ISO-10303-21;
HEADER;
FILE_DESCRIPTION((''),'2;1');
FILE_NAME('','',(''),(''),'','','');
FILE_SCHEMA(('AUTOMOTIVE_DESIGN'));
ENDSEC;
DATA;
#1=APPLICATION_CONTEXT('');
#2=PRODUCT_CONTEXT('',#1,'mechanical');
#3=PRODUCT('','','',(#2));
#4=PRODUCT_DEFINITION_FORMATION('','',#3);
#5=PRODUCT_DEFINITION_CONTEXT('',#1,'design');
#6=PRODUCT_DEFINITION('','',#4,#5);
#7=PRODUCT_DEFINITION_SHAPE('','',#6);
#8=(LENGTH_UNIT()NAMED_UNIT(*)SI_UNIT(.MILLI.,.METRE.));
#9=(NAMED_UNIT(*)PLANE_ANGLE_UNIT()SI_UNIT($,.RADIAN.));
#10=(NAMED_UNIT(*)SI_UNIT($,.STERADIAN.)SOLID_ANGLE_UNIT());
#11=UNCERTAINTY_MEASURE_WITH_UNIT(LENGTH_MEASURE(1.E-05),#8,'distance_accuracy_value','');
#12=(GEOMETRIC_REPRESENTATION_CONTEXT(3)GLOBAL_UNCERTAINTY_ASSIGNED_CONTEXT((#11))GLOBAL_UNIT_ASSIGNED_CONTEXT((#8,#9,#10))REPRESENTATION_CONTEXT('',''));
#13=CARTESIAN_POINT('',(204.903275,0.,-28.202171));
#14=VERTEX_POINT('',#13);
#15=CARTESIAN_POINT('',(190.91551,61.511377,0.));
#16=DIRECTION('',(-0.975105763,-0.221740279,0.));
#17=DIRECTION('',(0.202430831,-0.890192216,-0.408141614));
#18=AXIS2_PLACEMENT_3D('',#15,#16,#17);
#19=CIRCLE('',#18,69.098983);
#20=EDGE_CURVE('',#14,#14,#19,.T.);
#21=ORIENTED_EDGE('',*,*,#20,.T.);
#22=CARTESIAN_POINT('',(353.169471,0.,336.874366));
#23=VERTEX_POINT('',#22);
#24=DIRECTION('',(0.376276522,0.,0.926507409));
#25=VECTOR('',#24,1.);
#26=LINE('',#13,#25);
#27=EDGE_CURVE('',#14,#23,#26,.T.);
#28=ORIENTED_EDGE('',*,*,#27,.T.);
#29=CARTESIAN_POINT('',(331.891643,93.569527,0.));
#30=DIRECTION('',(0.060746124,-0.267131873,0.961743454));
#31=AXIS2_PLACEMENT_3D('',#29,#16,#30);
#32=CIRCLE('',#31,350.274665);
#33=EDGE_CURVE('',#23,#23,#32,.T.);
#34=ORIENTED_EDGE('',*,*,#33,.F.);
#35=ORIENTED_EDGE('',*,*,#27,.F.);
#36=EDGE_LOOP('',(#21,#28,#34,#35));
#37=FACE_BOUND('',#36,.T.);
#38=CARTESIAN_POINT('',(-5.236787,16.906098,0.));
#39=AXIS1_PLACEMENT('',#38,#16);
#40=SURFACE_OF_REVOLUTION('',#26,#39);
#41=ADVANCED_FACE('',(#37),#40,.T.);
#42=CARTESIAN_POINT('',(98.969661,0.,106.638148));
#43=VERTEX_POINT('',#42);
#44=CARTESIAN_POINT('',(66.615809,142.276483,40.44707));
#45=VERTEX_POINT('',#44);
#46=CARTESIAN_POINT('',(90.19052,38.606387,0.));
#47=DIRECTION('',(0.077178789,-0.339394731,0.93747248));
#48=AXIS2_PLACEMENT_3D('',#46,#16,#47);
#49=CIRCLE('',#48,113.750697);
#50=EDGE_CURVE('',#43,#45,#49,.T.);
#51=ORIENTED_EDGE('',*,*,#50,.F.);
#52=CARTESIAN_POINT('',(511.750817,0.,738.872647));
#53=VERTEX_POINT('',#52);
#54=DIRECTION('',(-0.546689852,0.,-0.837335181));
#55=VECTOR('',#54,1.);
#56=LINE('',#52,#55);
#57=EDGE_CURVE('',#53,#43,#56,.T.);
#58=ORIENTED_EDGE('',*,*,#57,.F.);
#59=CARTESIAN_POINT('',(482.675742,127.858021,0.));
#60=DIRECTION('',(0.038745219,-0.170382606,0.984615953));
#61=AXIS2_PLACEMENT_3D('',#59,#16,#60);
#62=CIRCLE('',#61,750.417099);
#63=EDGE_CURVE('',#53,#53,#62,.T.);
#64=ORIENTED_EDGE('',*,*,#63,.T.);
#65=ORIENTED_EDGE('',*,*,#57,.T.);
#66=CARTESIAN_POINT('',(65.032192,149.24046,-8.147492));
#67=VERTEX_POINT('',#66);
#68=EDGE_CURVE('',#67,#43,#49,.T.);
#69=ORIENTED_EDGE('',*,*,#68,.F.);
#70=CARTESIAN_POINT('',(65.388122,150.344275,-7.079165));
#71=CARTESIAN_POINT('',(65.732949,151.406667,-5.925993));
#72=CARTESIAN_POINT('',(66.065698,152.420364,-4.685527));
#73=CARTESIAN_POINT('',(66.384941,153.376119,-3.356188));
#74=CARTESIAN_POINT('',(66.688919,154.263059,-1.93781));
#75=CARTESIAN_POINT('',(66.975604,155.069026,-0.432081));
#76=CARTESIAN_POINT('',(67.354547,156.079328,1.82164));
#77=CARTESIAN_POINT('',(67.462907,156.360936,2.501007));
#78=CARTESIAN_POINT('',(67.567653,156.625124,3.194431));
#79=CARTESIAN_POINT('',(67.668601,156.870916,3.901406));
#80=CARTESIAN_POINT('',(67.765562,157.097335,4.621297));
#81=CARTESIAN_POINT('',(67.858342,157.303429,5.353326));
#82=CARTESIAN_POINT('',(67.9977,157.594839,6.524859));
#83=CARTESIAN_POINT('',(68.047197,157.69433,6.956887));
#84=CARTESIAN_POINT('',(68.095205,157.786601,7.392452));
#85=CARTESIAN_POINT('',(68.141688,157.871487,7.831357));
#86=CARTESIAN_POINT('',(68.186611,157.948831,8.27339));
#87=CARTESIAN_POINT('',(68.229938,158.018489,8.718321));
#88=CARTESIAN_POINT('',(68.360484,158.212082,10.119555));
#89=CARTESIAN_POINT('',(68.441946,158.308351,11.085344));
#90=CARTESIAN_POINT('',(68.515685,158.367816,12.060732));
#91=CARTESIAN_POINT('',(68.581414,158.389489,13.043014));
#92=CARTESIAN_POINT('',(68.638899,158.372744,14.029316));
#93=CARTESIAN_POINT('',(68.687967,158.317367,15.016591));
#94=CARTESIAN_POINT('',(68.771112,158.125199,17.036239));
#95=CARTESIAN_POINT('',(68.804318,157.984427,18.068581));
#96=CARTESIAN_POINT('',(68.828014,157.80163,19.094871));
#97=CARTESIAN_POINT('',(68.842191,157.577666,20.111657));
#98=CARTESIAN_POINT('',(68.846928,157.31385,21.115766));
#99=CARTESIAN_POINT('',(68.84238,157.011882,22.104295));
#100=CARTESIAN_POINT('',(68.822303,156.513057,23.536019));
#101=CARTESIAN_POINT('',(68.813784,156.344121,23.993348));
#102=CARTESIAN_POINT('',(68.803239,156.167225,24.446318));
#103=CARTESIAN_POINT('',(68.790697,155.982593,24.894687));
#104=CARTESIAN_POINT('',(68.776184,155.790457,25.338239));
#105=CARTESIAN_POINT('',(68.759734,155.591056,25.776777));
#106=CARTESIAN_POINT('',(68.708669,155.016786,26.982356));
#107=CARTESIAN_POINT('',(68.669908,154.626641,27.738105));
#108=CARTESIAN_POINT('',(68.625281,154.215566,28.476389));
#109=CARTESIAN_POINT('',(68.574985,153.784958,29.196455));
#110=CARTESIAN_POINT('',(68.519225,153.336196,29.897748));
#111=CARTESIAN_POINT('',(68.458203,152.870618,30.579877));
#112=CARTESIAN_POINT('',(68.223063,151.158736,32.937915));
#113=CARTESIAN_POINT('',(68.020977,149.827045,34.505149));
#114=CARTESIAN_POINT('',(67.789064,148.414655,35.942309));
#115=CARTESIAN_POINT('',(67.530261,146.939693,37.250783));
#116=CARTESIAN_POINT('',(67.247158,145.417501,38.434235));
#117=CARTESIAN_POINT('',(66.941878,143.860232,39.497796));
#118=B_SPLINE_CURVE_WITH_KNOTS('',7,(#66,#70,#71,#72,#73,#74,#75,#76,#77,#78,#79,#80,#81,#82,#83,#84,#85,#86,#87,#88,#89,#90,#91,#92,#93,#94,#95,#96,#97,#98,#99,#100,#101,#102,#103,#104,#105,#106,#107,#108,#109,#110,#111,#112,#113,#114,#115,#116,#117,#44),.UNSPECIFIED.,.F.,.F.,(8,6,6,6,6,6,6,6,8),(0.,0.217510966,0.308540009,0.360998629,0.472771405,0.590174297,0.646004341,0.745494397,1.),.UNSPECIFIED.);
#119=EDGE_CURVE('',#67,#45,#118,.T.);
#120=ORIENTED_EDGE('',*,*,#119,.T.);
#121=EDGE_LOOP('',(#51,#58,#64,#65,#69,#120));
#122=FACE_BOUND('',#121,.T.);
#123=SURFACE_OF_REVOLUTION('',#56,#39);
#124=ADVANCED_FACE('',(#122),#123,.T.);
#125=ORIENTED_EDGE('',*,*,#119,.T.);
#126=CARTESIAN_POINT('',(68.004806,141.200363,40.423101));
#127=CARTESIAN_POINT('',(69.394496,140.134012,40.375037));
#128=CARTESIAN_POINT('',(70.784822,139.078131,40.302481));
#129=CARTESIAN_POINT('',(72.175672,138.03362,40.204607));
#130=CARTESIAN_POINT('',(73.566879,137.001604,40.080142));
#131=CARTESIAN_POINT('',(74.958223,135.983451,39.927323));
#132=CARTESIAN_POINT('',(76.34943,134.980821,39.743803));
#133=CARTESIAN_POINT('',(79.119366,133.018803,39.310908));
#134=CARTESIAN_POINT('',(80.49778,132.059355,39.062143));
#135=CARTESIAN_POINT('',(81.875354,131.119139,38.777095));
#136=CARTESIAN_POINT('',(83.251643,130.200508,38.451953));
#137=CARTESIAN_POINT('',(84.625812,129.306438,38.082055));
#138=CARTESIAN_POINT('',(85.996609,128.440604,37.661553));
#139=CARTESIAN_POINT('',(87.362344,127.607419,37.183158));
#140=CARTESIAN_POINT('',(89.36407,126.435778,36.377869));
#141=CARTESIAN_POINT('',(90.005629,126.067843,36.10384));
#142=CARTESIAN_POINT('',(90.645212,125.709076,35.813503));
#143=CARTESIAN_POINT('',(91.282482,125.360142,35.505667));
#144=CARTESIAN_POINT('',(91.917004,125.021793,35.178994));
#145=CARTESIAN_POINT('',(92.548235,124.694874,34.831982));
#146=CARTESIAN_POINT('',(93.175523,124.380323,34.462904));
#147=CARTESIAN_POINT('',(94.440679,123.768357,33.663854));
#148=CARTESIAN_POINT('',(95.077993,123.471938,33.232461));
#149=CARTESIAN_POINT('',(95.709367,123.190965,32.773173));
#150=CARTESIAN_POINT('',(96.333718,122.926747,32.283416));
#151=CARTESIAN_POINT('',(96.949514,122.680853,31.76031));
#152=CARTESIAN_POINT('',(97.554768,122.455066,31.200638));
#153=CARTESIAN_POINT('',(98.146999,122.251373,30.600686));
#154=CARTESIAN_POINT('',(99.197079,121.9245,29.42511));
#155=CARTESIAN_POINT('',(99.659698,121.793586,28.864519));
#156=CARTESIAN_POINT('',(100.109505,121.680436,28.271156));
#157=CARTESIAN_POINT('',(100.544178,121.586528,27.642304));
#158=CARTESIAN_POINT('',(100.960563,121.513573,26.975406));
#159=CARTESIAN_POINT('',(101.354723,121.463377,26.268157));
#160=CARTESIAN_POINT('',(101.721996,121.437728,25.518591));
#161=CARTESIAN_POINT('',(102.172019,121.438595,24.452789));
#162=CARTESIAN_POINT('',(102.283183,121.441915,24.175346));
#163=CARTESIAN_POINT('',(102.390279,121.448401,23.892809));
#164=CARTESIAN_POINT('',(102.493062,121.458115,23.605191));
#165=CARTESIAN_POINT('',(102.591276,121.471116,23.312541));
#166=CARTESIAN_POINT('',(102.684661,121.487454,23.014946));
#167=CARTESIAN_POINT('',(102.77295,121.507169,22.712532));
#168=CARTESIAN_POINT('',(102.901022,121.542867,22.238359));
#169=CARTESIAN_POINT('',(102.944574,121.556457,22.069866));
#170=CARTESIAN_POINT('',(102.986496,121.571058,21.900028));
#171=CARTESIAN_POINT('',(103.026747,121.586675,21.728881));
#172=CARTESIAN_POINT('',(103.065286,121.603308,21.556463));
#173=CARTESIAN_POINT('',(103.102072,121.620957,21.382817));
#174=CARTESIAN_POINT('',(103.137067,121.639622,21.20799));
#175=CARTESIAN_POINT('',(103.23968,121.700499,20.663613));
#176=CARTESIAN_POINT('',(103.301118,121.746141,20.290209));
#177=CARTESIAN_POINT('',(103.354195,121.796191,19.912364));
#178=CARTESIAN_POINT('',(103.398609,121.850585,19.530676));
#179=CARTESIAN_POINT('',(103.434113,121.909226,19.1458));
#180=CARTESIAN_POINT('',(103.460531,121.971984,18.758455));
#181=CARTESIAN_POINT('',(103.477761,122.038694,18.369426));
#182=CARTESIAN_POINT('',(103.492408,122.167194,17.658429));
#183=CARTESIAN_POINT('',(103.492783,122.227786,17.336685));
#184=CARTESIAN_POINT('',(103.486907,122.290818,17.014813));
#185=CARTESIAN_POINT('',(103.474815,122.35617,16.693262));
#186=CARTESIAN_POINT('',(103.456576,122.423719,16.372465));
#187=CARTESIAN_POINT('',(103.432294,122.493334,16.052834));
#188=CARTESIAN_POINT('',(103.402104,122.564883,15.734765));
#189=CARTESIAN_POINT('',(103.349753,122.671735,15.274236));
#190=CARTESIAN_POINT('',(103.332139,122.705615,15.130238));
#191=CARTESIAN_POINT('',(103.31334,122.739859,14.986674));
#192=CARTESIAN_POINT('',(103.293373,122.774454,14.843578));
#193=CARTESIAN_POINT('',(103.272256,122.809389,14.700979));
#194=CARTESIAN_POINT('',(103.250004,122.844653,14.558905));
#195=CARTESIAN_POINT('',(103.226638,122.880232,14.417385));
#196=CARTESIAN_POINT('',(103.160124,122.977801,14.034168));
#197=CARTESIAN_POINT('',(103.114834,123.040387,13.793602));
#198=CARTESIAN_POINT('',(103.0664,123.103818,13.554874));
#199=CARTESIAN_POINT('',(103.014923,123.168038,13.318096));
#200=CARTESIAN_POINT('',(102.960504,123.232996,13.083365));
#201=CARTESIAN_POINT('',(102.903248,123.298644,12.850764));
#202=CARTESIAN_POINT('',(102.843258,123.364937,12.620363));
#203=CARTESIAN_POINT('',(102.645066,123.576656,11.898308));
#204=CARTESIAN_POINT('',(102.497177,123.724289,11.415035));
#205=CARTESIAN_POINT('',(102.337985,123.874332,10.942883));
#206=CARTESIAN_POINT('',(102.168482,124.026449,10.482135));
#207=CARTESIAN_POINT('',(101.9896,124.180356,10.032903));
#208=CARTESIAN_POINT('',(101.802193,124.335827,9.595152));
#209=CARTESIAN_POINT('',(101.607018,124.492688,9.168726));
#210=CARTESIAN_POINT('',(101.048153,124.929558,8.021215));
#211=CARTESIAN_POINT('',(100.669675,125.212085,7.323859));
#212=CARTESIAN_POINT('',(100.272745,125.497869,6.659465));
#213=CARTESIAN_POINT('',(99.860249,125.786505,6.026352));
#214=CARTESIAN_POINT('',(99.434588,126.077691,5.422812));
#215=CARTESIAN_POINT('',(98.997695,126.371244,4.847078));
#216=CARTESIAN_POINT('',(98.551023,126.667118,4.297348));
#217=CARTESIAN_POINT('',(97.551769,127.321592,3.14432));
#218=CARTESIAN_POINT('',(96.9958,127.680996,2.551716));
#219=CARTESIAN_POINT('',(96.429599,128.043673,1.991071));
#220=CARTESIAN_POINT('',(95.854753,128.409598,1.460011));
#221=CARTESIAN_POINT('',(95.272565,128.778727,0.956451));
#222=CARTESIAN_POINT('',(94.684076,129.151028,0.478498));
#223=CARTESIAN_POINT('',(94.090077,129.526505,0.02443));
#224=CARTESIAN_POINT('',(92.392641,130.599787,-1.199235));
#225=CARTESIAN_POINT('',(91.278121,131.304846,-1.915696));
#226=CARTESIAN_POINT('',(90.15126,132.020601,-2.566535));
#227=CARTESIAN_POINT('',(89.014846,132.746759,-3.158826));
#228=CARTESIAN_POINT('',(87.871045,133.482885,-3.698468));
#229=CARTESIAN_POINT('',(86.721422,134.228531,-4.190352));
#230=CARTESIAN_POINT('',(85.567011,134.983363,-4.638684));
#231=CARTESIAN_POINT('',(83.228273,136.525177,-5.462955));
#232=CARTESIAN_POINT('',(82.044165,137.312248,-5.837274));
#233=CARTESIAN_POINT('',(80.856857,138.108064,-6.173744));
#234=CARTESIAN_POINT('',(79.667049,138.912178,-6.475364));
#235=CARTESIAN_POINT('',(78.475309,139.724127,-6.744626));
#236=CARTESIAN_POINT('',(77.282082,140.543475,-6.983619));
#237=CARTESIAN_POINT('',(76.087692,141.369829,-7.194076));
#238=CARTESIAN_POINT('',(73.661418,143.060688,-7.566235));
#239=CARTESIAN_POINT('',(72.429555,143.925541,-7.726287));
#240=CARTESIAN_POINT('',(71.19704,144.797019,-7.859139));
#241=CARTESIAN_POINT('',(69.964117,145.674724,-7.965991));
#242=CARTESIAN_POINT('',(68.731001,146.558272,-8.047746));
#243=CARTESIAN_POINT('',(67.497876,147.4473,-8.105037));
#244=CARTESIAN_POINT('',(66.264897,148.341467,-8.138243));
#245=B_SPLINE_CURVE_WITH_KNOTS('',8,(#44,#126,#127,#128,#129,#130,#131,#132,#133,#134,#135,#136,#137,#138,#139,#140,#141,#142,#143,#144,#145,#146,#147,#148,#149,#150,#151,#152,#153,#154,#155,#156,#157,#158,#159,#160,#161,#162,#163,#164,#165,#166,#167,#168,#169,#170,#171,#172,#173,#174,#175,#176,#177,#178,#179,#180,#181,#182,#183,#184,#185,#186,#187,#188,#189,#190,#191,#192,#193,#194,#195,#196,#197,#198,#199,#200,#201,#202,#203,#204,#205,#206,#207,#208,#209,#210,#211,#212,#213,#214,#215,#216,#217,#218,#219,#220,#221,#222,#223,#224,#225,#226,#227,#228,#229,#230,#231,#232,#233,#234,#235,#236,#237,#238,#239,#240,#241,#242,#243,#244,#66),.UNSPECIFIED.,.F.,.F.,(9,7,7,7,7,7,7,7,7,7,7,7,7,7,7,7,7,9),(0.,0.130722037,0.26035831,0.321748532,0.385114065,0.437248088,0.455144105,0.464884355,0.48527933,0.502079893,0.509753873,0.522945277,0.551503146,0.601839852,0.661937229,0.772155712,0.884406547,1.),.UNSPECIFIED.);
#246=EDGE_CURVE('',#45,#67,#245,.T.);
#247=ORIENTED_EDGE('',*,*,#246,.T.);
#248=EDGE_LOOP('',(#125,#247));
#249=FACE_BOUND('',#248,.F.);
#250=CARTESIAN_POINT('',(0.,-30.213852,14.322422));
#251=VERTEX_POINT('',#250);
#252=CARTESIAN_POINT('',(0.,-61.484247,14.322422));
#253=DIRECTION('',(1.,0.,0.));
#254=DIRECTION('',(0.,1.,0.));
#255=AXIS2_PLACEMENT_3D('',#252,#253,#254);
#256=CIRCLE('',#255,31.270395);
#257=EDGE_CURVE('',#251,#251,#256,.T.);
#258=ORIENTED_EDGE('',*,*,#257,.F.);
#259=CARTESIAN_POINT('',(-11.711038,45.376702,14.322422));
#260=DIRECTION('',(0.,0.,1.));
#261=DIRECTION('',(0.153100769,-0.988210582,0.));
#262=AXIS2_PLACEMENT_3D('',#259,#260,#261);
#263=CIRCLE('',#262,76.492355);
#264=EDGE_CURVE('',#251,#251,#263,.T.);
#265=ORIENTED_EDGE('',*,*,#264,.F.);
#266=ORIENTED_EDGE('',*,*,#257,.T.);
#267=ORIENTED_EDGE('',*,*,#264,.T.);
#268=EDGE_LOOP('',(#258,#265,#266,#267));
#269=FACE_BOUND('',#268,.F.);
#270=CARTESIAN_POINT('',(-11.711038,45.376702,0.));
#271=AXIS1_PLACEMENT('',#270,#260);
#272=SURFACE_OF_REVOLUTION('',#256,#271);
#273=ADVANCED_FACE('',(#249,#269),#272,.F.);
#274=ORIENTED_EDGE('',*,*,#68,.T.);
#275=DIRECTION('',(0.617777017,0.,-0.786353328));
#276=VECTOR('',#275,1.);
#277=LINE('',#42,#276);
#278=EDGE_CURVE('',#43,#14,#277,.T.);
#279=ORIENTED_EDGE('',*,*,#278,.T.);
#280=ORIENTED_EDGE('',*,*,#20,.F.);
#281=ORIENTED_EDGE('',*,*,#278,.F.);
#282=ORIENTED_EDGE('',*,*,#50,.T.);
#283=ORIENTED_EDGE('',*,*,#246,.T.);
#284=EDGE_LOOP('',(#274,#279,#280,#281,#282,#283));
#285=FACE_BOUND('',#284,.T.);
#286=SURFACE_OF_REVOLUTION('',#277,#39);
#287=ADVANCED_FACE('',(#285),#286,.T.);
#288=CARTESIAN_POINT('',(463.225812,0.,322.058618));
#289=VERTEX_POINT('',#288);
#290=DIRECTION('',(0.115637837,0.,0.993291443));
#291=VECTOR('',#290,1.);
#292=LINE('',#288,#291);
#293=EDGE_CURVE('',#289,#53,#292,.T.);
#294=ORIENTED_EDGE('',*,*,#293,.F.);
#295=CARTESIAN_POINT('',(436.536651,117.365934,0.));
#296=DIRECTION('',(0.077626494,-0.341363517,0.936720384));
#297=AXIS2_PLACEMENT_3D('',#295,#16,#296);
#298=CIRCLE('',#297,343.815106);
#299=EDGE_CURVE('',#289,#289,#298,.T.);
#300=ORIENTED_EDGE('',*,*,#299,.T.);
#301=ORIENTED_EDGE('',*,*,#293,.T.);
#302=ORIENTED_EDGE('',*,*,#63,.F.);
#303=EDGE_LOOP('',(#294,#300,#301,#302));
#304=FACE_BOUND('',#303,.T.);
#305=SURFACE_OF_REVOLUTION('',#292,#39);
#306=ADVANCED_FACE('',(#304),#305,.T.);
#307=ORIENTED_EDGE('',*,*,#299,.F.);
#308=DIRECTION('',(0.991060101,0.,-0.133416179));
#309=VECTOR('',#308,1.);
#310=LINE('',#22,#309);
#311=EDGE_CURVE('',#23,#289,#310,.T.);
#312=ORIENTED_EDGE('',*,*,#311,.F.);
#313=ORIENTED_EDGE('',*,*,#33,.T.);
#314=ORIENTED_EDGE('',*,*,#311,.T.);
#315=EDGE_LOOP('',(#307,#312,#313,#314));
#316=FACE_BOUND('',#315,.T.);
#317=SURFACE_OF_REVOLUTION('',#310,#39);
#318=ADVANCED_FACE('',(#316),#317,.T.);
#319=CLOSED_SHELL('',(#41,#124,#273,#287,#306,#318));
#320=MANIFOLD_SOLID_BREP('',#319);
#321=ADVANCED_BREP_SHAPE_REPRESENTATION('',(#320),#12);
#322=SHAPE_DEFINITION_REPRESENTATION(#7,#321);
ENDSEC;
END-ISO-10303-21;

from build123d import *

# Parameters (mm, degrees)
F1_R = 31.2703951733


with BuildPart() as f2:
    # F1 (on Right) → F2 (revolve)
    with BuildSketch(Plane.YZ):
        with Locations((-61.4842474461, 14.3224224448)):
            Circle(F1_R)
    revolve(axis=Axis((-11.7110382606, 45.3767019057, 0), (0, 0, 1)))

    # F3 (on Front) → F4 (revolve)
    with BuildSketch(Plane.XZ):
        Polygon((98.9696606994, 106.638148427), (204.9032747746, -28.2021705061), (353.1694710255, 336.8743658066), (463.2258117199, 322.0586180687), (511.7508172989, 738.8726472855), align=None)
    revolve(axis=Axis((-5.2367869904, 16.9060976118, 0), (-0.9751057629, -0.2217402785, 0)))


solid = f2.part
